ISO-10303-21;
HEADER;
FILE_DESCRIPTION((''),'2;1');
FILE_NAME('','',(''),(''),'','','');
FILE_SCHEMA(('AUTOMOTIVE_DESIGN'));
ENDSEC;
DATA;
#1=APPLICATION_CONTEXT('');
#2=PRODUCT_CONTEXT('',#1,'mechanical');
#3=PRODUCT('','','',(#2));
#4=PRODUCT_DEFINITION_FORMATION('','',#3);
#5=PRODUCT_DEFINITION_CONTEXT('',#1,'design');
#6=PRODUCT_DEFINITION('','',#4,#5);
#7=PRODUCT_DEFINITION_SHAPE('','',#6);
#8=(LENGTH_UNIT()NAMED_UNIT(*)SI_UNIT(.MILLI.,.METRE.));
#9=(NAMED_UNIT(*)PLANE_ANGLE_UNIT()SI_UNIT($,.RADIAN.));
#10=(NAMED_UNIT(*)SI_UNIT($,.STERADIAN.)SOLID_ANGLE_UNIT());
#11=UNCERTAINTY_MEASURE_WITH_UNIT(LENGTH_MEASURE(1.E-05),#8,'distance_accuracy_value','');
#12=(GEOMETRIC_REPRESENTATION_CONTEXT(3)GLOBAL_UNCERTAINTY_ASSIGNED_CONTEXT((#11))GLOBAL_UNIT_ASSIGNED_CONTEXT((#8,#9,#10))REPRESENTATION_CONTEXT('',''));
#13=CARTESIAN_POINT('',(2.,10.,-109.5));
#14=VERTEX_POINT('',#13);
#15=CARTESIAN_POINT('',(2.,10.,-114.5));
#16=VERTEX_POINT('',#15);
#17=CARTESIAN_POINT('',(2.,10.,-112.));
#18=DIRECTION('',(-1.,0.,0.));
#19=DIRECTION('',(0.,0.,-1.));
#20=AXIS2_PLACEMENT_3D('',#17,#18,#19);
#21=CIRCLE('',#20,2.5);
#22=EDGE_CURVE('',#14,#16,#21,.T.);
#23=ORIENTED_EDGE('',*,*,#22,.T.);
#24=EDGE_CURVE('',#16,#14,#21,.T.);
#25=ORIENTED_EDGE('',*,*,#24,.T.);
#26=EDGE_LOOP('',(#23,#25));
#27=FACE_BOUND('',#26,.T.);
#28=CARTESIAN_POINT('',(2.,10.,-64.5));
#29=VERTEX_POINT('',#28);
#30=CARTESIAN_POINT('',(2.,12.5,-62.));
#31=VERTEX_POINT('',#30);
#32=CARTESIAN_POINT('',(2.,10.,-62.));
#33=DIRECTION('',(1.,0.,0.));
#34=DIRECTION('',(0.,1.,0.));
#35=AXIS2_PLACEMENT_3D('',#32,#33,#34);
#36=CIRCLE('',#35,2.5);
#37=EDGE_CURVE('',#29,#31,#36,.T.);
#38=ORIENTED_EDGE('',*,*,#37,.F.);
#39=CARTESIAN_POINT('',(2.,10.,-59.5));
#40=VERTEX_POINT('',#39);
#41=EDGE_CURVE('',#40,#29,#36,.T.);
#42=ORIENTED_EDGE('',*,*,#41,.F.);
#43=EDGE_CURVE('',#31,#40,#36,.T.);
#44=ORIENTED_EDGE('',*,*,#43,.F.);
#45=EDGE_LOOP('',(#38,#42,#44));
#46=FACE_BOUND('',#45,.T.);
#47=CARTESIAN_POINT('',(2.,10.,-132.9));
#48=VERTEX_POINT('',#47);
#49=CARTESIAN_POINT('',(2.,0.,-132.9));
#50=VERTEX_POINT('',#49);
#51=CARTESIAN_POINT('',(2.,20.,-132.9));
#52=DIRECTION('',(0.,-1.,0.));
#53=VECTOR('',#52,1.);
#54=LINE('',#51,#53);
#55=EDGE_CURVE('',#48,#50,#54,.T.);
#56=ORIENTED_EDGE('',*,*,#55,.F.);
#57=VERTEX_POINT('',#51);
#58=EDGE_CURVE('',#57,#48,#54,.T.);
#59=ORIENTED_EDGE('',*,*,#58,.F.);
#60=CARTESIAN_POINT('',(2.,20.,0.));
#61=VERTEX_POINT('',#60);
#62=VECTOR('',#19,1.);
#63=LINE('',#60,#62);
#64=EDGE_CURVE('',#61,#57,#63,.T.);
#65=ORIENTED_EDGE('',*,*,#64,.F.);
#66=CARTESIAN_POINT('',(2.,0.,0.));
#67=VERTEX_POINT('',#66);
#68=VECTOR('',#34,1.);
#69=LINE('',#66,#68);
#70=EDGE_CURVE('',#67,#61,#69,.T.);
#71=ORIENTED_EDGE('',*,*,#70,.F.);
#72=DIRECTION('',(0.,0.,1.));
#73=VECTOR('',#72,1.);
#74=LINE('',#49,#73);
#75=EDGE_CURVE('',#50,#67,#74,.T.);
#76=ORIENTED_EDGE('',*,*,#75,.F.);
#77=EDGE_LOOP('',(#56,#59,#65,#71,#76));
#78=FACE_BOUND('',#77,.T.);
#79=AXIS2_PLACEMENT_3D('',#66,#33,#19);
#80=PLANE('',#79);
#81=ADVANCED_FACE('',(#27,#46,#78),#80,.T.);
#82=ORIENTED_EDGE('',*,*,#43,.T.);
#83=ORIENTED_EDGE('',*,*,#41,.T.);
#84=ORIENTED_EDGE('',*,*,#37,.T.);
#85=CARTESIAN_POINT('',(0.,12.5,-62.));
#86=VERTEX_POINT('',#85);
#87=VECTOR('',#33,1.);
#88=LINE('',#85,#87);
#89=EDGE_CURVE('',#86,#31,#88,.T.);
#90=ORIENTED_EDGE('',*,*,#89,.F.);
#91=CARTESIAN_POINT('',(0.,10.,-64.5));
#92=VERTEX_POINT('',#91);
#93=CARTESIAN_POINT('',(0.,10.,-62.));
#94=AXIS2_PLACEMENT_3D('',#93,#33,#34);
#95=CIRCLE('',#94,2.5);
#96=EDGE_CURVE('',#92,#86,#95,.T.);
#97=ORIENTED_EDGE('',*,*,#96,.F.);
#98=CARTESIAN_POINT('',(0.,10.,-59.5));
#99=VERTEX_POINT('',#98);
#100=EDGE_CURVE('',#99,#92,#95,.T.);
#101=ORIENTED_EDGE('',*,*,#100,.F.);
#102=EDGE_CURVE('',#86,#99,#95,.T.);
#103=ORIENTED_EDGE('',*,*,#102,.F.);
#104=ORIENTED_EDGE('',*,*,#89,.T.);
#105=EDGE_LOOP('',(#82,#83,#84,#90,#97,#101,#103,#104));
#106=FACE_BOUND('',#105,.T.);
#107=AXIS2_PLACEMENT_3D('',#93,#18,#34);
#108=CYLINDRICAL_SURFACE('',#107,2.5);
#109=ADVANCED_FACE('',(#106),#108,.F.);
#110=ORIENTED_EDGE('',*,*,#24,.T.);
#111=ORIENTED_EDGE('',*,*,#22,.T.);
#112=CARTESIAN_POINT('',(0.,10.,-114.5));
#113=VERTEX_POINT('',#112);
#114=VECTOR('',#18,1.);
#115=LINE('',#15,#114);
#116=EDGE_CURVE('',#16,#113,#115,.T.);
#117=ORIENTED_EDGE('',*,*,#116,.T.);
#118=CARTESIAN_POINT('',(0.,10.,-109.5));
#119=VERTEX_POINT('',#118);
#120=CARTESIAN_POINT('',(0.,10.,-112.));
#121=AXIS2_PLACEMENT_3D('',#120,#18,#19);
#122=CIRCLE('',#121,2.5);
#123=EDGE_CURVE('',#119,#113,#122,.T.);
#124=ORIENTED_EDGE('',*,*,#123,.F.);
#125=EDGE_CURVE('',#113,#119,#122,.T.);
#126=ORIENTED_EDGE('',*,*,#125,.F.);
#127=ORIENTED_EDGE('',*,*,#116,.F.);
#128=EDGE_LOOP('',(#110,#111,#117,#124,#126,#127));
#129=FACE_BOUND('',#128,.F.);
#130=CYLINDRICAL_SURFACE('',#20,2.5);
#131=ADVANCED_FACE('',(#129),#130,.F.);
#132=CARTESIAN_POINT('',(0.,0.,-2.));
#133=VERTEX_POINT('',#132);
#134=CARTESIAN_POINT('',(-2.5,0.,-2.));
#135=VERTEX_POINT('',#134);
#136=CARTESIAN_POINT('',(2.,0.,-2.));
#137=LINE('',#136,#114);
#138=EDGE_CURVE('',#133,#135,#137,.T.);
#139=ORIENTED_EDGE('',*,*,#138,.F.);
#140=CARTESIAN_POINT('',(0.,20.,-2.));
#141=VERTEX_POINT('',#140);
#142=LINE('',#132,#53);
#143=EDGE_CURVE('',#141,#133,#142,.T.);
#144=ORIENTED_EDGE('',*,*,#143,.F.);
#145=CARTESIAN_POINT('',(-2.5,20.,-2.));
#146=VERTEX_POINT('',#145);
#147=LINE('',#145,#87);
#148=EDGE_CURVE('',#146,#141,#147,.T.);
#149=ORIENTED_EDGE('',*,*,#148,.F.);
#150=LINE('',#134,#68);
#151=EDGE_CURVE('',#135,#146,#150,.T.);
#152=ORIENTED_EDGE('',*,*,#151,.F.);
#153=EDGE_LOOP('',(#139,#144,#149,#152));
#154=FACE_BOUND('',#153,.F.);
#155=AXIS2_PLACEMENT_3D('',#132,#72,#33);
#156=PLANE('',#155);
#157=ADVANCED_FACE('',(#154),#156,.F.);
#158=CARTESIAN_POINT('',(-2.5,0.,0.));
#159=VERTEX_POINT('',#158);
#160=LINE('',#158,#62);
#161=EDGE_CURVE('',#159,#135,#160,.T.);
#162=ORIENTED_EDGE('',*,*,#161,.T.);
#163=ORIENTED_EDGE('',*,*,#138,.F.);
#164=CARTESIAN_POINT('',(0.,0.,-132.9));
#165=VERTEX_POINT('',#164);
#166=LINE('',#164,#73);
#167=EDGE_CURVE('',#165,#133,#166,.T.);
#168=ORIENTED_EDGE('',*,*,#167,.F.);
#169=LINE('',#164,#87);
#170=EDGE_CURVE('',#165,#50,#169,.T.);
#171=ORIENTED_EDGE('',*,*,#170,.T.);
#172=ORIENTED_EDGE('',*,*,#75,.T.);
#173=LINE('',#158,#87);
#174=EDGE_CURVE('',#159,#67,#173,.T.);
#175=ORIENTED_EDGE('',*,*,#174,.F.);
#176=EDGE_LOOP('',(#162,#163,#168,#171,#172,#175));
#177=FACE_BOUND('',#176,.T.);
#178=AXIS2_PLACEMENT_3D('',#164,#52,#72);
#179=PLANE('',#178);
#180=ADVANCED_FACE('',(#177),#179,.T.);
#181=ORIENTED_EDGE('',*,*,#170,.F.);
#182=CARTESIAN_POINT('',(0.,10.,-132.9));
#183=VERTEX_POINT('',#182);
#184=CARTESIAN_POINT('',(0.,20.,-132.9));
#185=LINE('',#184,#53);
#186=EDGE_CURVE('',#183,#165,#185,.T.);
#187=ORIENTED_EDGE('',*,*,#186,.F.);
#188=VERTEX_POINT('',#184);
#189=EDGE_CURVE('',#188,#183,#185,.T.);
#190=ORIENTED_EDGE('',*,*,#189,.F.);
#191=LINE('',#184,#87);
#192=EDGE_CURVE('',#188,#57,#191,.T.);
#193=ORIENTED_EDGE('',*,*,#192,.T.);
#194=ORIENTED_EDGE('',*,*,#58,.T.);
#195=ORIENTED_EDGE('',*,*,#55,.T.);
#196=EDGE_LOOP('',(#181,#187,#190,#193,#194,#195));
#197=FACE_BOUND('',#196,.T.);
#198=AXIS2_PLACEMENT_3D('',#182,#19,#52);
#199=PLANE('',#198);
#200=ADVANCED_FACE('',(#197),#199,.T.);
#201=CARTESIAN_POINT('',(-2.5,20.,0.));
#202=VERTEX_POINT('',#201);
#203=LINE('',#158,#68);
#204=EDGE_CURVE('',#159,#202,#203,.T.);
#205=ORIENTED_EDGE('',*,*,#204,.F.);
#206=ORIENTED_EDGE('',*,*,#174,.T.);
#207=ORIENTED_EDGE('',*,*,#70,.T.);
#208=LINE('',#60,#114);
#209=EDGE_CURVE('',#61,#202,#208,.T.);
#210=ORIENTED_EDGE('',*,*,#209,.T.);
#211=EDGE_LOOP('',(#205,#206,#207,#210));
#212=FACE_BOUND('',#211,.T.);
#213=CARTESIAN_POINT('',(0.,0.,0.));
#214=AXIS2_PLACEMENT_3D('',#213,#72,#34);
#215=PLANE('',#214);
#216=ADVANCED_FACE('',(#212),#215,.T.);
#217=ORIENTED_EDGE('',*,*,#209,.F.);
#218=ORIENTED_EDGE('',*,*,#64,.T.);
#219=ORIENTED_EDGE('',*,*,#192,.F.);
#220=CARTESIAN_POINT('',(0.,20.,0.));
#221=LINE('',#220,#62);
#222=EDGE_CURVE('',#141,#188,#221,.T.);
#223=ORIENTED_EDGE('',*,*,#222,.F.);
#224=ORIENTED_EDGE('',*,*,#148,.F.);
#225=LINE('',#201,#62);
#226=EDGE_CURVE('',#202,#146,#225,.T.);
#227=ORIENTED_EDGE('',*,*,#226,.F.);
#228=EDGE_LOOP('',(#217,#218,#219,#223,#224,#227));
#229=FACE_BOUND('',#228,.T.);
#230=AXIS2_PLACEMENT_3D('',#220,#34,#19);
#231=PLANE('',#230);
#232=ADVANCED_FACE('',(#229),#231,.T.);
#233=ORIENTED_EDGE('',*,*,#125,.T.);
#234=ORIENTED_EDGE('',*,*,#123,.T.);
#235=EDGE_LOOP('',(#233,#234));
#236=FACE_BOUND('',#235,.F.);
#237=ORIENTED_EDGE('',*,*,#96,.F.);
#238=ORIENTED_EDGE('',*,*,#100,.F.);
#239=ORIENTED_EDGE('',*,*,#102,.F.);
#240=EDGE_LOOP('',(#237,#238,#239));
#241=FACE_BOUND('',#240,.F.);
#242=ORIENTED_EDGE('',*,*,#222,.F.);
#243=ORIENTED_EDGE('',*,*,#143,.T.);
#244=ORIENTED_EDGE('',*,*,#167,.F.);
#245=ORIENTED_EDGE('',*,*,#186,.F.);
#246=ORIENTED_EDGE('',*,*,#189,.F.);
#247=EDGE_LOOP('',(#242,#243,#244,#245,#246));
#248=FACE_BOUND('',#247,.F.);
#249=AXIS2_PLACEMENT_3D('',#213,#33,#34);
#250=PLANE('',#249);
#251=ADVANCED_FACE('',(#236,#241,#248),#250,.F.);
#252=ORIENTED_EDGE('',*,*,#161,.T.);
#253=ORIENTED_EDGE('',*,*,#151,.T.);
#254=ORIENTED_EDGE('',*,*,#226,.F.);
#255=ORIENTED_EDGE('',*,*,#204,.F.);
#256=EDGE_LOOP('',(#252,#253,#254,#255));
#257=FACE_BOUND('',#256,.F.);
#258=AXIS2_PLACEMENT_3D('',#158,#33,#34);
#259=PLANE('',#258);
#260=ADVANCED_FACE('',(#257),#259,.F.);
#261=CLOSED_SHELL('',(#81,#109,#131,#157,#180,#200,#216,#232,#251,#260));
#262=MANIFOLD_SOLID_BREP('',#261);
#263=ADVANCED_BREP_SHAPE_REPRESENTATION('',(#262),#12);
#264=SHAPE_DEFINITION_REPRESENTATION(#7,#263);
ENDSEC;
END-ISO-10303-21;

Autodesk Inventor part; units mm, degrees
ref_plane "YZ Plane" through (0, 0, 0) normal (1, 0, 0) x (0, 1, 0)
ref_plane "XZ Plane" through (0, 0, 0) normal (0, 1, 0) x (-1, 0, 0)
ref_plane "XY Plane" through (0, 0, 0) normal (0, 0, 1) x (1, 0, 0)
sketch "Esboço1" plane through (0, 0, 0) normal (1, 0, 0) x (0, 1, 0)
  line L0 (0, 0) -> (20, 0)
  line L1 (20, 0) -> (20, -132.9)
  line L2 (20, -132.9) -> (0, -132.9)
  line L3 (0, -132.9) -> (0, 0)
  line L4 (10, -132.9) -> (10, -62)
  circle A0 centre (10, -62) radius 2.5
  line L5 (10, -62) -> (10, -12)
  circle A1 centre (10, -12) radius 2.5
  dimension "d0" = 20
  dimension "d1" = 132.9
  dimension "d2" = 70.9
  dimension "d3" = 5
  dimension "d4" = 50
  dimension "d5" = 5
extrude "Extrusão1" add sketch "Esboço1" along normal blind 2
sketch "Esboço2" plane through (0, 0, 0) normal (0, 0, 1) x (1, 0, 0)
  line L0 (2, 20) -> (2, 0) projected
  line L1 (2, 0) -> (-2.5, 0)
  line L2 (-2.5, 0) -> (-2.5, 20)
  line L3 (-2.5, 20) -> (2, 20)
  line L4 (2, 20) -> (2, 0)
  point P0 (0, 0)
  dimension "d8" = 4.5
extrude "Extrusão2" add sketch "Esboço2" against normal blind 2
sketch "Esboço3" plane through (2, 0, 0) normal (1, 0, 0) x (0, 0, -1)
  circle A0 centre (62, 10) radius 2.5 construction
  line L0 (62, 10) -> (112, 10) construction
  point P0 (0, 0)
  dimension "d11" = 50
hole "Furo1" at (2, 10, -112) direction (-1, 0, 0) diameter 5 end through all
sketch "Esboço4" plane through (2, 0, 0) normal (1, 0, 0) x (0, 0, -1)
  circle A0 centre (12, 10) radius 2.5 projected
  circle A1 centre (12, 10) radius 2.5
  point P0 (0, 0)
extrude "Extrusão3" add sketch "Esboço4" against normal blind 2
properties part number "Chapa da Caixa de Segurança"
